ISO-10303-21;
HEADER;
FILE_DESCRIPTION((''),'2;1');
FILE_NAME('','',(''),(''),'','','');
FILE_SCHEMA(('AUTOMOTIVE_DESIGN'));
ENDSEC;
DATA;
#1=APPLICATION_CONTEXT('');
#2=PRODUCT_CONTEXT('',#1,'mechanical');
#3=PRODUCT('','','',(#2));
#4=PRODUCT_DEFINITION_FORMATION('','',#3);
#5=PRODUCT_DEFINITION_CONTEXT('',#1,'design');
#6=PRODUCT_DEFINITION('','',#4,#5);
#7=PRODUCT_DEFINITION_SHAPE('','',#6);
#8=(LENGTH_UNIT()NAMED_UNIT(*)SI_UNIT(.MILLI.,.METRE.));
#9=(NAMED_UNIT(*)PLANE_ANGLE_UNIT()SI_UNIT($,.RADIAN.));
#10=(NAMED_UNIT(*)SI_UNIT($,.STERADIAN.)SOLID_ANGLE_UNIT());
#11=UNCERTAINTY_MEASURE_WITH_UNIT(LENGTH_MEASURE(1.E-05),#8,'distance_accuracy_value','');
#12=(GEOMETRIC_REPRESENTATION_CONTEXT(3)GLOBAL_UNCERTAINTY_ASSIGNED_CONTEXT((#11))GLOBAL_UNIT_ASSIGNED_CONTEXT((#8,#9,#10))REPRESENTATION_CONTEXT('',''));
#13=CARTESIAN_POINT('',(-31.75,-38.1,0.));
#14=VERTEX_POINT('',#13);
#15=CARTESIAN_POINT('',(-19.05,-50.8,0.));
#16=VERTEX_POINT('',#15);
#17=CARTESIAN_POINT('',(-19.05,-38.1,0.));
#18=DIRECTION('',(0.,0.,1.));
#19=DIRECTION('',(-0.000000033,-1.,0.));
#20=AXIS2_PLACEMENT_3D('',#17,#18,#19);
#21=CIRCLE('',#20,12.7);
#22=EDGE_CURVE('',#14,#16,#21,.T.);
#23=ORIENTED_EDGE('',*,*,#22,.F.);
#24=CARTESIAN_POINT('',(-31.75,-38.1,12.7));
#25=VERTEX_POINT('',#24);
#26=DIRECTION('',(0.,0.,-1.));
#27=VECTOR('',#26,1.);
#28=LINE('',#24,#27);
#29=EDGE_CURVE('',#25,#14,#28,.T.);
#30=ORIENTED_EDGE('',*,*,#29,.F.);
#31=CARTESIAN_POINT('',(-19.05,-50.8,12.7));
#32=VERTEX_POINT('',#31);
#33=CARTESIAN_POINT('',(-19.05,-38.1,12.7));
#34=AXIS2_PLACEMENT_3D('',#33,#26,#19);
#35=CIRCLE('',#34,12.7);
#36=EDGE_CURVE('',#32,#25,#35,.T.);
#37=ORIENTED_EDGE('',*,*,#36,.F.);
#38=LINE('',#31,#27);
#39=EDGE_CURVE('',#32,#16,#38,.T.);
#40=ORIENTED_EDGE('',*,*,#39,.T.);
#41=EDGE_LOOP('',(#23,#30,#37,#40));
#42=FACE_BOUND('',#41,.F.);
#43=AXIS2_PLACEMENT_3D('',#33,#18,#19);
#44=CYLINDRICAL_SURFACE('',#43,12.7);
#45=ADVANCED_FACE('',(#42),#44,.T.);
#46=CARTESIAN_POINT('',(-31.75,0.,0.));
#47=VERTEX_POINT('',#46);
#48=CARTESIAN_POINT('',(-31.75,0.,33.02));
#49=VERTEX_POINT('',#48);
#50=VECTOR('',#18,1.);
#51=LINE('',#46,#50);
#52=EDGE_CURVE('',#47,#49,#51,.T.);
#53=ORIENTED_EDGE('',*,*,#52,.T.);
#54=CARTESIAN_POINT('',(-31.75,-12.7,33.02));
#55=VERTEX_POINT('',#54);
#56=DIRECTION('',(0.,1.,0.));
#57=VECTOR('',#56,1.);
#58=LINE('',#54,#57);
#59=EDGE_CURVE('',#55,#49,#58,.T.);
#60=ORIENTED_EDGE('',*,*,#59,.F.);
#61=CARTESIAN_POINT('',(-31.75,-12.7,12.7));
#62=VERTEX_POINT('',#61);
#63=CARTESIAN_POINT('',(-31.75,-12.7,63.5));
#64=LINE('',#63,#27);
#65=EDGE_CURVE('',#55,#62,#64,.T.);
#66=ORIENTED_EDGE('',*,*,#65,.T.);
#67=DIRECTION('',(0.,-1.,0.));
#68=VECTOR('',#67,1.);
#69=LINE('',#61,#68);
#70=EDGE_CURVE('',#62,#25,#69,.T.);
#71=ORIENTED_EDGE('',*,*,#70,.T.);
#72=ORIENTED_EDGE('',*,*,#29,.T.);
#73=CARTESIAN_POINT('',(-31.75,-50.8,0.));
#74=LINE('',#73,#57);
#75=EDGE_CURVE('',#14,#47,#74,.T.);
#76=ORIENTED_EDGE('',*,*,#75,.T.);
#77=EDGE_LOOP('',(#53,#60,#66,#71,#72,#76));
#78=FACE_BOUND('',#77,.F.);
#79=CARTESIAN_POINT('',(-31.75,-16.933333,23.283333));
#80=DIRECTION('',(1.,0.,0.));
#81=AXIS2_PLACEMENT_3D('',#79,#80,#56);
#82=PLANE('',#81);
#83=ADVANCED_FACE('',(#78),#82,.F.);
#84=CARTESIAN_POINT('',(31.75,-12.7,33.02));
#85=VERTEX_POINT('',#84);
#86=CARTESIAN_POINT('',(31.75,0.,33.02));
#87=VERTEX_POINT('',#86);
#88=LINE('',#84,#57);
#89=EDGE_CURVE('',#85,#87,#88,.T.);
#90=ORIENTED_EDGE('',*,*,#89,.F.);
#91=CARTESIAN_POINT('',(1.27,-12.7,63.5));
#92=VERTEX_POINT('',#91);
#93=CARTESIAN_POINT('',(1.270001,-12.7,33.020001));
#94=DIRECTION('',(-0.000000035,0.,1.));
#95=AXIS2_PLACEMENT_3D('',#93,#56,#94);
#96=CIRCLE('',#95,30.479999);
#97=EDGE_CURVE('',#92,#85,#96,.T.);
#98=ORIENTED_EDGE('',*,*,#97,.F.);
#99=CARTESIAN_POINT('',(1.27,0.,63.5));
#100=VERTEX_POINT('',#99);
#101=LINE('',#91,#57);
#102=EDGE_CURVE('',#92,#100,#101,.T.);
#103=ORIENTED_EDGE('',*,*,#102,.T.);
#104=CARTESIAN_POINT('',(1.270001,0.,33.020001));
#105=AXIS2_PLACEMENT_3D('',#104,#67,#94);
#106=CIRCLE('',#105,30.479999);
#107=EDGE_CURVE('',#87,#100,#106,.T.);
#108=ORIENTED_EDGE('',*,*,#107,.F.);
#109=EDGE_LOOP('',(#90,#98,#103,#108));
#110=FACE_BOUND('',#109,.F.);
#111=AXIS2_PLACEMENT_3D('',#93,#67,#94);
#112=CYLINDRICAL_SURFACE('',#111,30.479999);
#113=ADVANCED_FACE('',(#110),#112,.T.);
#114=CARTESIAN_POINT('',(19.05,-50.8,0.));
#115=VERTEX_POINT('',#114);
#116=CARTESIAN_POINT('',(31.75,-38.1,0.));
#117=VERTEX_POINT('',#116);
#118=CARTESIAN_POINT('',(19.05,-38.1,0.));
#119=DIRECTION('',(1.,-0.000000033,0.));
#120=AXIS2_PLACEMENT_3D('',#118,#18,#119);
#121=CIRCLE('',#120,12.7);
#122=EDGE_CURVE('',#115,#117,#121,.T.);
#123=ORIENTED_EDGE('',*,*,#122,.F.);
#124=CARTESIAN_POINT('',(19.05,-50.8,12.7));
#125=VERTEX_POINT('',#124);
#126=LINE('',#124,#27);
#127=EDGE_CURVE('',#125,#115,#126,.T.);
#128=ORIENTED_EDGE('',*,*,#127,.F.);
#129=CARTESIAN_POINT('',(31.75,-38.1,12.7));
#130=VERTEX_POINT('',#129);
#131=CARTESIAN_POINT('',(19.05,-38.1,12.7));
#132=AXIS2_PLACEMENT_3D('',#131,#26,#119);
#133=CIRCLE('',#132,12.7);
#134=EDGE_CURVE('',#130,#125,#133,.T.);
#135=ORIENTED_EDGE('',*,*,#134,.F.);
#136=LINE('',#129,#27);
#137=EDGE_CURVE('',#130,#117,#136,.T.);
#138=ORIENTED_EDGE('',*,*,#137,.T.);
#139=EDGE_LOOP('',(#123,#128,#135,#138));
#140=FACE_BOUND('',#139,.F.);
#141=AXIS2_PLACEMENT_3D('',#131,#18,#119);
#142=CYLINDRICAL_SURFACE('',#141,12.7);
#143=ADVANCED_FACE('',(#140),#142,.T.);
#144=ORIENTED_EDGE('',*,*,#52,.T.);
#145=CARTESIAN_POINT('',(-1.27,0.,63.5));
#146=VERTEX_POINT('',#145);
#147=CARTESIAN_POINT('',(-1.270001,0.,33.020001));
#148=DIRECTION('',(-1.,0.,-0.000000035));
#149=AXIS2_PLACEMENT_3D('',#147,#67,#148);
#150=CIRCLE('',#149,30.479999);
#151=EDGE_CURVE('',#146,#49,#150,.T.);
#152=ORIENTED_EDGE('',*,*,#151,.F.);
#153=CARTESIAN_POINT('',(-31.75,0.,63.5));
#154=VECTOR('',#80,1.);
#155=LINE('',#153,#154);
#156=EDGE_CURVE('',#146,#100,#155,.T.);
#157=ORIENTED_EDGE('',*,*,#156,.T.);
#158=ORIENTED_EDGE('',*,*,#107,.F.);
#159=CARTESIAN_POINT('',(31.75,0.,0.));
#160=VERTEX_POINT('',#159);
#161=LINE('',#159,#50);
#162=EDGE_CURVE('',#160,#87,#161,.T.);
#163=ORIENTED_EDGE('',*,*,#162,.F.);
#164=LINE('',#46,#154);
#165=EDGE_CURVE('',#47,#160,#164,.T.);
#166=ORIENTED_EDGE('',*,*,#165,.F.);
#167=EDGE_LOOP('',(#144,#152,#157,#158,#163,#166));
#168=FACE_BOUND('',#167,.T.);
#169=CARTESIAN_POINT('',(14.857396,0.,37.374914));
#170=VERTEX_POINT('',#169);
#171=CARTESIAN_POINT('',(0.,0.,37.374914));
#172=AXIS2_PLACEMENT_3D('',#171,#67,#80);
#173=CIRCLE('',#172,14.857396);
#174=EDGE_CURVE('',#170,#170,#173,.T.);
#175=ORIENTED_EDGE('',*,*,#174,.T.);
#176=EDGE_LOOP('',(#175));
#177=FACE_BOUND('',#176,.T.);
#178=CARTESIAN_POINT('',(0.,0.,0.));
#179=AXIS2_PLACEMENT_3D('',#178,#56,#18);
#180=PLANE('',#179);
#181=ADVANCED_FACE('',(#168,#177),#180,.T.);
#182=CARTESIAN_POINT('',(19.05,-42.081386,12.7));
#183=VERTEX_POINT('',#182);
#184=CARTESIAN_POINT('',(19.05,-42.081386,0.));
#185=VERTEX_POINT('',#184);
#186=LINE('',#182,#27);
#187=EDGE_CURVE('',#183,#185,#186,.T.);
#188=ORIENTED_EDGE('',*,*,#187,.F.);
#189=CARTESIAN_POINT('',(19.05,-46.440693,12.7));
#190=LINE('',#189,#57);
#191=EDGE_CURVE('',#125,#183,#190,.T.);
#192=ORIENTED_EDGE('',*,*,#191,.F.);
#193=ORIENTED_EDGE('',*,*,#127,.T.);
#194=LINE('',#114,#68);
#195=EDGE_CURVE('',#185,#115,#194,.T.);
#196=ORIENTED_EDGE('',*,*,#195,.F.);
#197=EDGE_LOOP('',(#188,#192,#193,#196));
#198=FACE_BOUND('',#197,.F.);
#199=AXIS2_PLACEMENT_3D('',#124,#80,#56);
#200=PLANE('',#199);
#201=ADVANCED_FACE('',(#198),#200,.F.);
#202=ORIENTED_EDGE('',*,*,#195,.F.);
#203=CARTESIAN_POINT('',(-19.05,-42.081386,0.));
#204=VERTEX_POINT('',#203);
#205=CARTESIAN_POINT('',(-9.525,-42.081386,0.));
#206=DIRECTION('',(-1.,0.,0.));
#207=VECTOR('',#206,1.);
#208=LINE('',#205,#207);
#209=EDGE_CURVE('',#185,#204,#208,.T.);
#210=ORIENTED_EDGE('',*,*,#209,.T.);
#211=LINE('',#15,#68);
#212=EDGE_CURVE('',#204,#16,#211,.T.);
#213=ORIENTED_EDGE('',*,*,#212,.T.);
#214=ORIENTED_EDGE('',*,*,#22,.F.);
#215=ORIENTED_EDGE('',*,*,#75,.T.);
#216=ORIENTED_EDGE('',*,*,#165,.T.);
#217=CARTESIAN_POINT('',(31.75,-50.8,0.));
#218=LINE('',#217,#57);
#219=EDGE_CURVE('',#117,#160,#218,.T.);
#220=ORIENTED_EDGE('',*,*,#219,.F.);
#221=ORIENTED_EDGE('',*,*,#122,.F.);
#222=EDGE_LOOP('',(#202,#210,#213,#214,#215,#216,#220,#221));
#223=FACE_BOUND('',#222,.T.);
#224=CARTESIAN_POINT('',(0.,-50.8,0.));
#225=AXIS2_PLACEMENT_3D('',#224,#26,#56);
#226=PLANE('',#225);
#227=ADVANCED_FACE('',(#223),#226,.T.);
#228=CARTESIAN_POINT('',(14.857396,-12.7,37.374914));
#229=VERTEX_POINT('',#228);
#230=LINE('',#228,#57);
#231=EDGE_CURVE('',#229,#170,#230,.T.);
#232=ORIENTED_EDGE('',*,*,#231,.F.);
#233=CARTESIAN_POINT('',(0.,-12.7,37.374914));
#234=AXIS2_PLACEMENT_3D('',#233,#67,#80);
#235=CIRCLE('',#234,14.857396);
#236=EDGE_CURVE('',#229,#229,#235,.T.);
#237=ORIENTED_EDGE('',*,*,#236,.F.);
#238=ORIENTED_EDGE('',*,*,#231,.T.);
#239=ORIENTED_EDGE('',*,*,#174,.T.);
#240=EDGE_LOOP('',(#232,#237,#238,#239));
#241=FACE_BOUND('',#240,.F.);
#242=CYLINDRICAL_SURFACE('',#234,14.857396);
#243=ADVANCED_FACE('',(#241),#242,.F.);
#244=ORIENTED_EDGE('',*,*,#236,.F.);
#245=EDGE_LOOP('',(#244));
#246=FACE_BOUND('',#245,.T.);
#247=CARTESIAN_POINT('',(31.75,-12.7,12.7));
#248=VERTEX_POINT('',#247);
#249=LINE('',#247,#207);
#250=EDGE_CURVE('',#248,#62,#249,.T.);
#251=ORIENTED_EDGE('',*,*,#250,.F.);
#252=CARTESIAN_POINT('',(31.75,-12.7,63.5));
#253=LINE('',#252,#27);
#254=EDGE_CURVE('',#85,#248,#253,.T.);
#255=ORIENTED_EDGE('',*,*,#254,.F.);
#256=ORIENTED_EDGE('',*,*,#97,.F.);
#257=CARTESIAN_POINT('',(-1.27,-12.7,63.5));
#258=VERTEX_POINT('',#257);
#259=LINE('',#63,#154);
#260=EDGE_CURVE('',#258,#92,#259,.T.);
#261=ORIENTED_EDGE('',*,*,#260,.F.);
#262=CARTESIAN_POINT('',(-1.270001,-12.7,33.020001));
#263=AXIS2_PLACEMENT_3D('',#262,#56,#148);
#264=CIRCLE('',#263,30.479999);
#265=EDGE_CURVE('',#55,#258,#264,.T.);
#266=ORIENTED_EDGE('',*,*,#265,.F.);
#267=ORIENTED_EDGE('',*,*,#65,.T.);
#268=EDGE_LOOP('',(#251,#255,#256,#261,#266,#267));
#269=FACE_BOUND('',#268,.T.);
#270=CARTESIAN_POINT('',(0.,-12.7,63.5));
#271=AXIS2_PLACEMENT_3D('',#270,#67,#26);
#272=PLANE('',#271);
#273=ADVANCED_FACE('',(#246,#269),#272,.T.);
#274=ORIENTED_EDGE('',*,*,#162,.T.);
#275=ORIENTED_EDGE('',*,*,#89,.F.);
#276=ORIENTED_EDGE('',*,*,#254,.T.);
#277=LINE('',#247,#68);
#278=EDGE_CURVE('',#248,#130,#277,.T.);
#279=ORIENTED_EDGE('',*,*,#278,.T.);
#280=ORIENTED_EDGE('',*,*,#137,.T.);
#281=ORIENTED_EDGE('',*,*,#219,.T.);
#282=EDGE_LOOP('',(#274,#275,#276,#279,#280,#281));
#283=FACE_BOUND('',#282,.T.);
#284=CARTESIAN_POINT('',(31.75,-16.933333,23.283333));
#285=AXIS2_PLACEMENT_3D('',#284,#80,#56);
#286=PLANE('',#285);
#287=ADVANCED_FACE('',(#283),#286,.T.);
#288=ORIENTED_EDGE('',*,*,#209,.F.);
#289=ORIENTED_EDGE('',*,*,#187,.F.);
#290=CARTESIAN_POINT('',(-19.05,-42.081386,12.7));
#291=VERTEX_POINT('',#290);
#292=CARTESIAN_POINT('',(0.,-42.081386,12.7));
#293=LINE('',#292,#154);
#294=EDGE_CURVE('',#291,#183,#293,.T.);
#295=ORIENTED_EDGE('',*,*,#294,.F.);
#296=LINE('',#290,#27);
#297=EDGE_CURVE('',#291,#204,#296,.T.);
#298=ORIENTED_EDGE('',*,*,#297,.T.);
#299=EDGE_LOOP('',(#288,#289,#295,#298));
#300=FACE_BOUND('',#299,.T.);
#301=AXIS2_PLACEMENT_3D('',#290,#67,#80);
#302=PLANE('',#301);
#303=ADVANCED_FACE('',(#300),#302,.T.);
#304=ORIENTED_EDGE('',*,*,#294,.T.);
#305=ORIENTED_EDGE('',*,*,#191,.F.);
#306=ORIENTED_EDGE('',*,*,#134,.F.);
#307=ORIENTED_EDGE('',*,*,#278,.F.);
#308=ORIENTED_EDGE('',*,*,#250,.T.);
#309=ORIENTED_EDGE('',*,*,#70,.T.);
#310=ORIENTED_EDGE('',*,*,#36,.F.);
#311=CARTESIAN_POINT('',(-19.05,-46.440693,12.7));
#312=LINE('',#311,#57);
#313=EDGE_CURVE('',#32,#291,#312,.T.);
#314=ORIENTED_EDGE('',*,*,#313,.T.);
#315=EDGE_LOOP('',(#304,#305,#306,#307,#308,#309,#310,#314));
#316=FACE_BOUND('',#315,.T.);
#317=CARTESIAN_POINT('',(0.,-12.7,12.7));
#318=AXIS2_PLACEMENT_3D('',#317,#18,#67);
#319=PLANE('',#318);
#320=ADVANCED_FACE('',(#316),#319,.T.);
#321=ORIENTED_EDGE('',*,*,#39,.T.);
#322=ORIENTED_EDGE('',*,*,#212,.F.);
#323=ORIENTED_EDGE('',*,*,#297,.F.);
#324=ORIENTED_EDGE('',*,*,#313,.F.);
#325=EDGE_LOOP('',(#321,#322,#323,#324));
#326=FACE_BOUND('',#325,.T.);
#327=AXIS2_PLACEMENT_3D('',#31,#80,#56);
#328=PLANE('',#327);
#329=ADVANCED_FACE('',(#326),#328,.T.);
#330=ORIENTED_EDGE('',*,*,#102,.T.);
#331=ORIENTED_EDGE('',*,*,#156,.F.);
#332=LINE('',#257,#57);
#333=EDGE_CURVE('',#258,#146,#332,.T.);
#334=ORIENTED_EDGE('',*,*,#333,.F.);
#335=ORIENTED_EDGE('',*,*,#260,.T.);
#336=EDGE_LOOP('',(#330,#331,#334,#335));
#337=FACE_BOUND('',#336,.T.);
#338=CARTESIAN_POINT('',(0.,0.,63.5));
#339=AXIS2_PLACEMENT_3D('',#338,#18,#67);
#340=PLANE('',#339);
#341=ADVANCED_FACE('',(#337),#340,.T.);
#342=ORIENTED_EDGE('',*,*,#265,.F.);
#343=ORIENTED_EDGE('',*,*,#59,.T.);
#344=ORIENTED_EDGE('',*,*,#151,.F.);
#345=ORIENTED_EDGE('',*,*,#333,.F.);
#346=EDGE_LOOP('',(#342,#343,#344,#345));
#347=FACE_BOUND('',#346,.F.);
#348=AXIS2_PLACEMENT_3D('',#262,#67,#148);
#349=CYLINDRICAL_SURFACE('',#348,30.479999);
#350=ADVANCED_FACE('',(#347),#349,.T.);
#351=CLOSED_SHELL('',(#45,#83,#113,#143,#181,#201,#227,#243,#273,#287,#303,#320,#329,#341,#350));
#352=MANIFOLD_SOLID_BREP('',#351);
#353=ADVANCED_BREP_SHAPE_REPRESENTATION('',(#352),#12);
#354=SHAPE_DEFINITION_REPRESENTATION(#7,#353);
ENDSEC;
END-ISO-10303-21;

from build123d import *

# Parameters (mm, degrees)
F1_DEPTH = 31.75
F3_DEPTH = 25.4
F4_W     = 38.1
F4_H     = 8.718614
F5_DEPTH = 25.4
F6_R     = 14.857396
F7_DEPTH = 25.4


with BuildPart() as f1:
    # F0 (on Right) → F1 (new body, symmetric)
    with BuildSketch(Plane.YZ):
        Polygon((-50.8, 0), (0, 0), (0, 63.5), (-12.7, 63.5), (-12.7, 12.7), (-50.8, 12.7), align=None)
    extrude(amount=F1_DEPTH, both=True)

    # F2 (on face) → F3 (cut)
    with BuildSketch(Plane.XY.offset(12.7)):
        with BuildLine():
            ThreePointArc((-19.05, -50.8), (-28.030256, -47.080256), (-31.75, -38.1))
            Line((-31.75, -38.1), (-31.75, -50.8))
            Line((-31.75, -50.8), (-19.05, -50.8))
        make_face()
        with BuildLine():
            Line((31.75, -50.8), (31.75, -38.1))
            ThreePointArc((31.75, -38.1), (28.030256, -47.080256), (19.05, -50.8))
            Line((19.05, -50.8), (31.75, -50.8))
        make_face()
    extrude(amount=-F3_DEPTH, mode=Mode.SUBTRACT)

    # F4 (on face) → F5 (cut)
    with BuildSketch(Plane.XY.offset(12.7)):
        with Locations((0, -46.440693)):
            Rectangle(F4_W, F4_H)
    extrude(amount=-F5_DEPTH, mode=Mode.SUBTRACT)

    # F6 (on face) → F7 (cut)
    with BuildSketch(Plane.XZ.offset(12.7)):
        with BuildLine():
            Line((-31.75, 63.5), (-31.75, 33.02))
            ThreePointArc((-31.75, 33.02), (-22.822615, 54.572615), (-1.27, 63.5))
            Line((-1.27, 63.5), (-31.75, 63.5))
        make_face()
        with BuildLine():
            Line((31.75, 63.5), (1.27, 63.5))
            ThreePointArc((1.27, 63.5), (22.822615, 54.572615), (31.75, 33.02))
            Line((31.75, 33.02), (31.75, 63.5))
        make_face()
        with Locations((0, 37.374914)):
            Circle(F6_R)
    extrude(amount=-F7_DEPTH, mode=Mode.SUBTRACT)


solid = f1.part
